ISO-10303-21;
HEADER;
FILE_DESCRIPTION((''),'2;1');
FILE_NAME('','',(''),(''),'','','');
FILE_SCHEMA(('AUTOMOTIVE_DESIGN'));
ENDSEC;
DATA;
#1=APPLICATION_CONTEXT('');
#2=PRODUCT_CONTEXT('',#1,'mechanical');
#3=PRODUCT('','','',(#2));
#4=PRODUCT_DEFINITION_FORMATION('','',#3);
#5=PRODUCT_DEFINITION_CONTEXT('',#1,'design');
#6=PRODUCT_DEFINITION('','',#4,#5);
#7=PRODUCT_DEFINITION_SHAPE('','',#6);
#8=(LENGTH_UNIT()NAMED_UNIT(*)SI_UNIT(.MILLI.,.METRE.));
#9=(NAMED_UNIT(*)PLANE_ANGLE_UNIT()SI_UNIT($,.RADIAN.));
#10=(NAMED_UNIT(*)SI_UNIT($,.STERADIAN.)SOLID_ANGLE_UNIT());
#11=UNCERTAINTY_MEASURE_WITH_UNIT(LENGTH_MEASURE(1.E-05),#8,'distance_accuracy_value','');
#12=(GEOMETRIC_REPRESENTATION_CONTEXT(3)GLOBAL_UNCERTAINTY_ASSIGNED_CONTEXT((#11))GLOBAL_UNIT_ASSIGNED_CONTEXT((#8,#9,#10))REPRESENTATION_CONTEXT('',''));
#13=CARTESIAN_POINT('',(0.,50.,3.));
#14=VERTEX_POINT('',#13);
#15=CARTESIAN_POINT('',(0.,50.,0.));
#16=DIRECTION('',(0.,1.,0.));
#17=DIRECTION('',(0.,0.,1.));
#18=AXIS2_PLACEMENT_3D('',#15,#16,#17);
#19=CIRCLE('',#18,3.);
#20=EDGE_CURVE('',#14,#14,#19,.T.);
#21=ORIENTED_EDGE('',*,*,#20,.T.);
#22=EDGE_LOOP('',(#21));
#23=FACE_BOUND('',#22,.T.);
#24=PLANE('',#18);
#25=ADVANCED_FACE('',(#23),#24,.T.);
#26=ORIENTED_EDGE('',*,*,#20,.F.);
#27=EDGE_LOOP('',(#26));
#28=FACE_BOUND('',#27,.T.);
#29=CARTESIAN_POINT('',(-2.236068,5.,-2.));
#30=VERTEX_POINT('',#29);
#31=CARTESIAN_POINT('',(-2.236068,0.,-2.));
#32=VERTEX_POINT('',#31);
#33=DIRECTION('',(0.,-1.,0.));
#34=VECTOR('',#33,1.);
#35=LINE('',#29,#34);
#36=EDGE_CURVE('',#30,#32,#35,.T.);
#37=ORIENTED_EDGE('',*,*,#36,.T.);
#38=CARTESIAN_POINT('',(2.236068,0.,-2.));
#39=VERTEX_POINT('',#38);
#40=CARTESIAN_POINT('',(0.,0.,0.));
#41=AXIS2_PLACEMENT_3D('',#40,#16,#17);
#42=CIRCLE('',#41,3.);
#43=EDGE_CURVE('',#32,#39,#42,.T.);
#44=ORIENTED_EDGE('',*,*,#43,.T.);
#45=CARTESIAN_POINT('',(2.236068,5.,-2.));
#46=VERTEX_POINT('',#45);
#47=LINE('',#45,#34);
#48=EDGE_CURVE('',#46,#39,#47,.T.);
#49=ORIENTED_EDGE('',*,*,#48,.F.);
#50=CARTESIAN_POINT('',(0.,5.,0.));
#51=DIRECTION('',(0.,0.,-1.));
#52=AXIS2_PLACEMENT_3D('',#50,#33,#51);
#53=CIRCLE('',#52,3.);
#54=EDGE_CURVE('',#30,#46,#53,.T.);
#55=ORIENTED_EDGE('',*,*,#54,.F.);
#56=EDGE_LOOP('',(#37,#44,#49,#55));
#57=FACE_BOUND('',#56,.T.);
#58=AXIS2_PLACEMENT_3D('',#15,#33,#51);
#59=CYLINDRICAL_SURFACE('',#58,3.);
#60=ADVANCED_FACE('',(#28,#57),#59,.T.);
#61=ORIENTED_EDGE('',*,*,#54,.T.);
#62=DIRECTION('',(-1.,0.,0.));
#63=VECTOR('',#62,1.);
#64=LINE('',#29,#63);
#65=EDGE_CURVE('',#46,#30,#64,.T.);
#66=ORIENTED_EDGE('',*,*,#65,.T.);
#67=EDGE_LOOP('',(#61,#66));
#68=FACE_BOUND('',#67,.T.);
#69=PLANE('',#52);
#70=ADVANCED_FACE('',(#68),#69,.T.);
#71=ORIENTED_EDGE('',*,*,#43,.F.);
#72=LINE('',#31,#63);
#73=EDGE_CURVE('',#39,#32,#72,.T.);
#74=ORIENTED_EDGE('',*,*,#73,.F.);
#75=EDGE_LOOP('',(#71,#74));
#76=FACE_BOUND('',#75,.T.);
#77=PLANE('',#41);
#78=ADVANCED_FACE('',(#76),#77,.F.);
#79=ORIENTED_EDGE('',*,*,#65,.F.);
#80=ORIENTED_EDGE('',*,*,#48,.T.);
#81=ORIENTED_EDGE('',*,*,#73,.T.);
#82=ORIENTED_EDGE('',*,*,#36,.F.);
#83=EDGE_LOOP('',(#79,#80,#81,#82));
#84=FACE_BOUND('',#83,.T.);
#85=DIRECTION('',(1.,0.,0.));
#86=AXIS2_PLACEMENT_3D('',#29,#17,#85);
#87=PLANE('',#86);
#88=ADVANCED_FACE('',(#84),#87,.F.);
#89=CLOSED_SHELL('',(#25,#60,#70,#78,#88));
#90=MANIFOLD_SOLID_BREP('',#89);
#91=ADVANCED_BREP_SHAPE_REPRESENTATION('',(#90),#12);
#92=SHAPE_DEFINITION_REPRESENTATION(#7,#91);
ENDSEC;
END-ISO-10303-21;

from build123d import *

# Parameters (mm, degrees)
SKETCH1_R           = 3
BOSS_EXTRUDE1_DEPTH = 50
CUT_EXTRUDE1_DEPTH  = 5


with BuildPart() as part:
    # Sketch1 → Boss-Extrude1 (new body)
    with BuildSketch(Plane(origin=(0, 0, 0), x_dir=(1, 0, 0), z_dir=(0, 1, 0))):
        Circle(SKETCH1_R)
    extrude(amount=BOSS_EXTRUDE1_DEPTH)

    # Sketch2 → Cut-Extrude1 (cut)
    with BuildSketch(Plane.XZ):
        with BuildLine():
            Line((-2.236067977, -2), (2.236067977, -2))
            ThreePointArc((2.236067977, -2), (0, -3), (-2.236067977, -2))
        make_face()
    extrude(amount=-CUT_EXTRUDE1_DEPTH, mode=Mode.SUBTRACT)


solid = part.part
